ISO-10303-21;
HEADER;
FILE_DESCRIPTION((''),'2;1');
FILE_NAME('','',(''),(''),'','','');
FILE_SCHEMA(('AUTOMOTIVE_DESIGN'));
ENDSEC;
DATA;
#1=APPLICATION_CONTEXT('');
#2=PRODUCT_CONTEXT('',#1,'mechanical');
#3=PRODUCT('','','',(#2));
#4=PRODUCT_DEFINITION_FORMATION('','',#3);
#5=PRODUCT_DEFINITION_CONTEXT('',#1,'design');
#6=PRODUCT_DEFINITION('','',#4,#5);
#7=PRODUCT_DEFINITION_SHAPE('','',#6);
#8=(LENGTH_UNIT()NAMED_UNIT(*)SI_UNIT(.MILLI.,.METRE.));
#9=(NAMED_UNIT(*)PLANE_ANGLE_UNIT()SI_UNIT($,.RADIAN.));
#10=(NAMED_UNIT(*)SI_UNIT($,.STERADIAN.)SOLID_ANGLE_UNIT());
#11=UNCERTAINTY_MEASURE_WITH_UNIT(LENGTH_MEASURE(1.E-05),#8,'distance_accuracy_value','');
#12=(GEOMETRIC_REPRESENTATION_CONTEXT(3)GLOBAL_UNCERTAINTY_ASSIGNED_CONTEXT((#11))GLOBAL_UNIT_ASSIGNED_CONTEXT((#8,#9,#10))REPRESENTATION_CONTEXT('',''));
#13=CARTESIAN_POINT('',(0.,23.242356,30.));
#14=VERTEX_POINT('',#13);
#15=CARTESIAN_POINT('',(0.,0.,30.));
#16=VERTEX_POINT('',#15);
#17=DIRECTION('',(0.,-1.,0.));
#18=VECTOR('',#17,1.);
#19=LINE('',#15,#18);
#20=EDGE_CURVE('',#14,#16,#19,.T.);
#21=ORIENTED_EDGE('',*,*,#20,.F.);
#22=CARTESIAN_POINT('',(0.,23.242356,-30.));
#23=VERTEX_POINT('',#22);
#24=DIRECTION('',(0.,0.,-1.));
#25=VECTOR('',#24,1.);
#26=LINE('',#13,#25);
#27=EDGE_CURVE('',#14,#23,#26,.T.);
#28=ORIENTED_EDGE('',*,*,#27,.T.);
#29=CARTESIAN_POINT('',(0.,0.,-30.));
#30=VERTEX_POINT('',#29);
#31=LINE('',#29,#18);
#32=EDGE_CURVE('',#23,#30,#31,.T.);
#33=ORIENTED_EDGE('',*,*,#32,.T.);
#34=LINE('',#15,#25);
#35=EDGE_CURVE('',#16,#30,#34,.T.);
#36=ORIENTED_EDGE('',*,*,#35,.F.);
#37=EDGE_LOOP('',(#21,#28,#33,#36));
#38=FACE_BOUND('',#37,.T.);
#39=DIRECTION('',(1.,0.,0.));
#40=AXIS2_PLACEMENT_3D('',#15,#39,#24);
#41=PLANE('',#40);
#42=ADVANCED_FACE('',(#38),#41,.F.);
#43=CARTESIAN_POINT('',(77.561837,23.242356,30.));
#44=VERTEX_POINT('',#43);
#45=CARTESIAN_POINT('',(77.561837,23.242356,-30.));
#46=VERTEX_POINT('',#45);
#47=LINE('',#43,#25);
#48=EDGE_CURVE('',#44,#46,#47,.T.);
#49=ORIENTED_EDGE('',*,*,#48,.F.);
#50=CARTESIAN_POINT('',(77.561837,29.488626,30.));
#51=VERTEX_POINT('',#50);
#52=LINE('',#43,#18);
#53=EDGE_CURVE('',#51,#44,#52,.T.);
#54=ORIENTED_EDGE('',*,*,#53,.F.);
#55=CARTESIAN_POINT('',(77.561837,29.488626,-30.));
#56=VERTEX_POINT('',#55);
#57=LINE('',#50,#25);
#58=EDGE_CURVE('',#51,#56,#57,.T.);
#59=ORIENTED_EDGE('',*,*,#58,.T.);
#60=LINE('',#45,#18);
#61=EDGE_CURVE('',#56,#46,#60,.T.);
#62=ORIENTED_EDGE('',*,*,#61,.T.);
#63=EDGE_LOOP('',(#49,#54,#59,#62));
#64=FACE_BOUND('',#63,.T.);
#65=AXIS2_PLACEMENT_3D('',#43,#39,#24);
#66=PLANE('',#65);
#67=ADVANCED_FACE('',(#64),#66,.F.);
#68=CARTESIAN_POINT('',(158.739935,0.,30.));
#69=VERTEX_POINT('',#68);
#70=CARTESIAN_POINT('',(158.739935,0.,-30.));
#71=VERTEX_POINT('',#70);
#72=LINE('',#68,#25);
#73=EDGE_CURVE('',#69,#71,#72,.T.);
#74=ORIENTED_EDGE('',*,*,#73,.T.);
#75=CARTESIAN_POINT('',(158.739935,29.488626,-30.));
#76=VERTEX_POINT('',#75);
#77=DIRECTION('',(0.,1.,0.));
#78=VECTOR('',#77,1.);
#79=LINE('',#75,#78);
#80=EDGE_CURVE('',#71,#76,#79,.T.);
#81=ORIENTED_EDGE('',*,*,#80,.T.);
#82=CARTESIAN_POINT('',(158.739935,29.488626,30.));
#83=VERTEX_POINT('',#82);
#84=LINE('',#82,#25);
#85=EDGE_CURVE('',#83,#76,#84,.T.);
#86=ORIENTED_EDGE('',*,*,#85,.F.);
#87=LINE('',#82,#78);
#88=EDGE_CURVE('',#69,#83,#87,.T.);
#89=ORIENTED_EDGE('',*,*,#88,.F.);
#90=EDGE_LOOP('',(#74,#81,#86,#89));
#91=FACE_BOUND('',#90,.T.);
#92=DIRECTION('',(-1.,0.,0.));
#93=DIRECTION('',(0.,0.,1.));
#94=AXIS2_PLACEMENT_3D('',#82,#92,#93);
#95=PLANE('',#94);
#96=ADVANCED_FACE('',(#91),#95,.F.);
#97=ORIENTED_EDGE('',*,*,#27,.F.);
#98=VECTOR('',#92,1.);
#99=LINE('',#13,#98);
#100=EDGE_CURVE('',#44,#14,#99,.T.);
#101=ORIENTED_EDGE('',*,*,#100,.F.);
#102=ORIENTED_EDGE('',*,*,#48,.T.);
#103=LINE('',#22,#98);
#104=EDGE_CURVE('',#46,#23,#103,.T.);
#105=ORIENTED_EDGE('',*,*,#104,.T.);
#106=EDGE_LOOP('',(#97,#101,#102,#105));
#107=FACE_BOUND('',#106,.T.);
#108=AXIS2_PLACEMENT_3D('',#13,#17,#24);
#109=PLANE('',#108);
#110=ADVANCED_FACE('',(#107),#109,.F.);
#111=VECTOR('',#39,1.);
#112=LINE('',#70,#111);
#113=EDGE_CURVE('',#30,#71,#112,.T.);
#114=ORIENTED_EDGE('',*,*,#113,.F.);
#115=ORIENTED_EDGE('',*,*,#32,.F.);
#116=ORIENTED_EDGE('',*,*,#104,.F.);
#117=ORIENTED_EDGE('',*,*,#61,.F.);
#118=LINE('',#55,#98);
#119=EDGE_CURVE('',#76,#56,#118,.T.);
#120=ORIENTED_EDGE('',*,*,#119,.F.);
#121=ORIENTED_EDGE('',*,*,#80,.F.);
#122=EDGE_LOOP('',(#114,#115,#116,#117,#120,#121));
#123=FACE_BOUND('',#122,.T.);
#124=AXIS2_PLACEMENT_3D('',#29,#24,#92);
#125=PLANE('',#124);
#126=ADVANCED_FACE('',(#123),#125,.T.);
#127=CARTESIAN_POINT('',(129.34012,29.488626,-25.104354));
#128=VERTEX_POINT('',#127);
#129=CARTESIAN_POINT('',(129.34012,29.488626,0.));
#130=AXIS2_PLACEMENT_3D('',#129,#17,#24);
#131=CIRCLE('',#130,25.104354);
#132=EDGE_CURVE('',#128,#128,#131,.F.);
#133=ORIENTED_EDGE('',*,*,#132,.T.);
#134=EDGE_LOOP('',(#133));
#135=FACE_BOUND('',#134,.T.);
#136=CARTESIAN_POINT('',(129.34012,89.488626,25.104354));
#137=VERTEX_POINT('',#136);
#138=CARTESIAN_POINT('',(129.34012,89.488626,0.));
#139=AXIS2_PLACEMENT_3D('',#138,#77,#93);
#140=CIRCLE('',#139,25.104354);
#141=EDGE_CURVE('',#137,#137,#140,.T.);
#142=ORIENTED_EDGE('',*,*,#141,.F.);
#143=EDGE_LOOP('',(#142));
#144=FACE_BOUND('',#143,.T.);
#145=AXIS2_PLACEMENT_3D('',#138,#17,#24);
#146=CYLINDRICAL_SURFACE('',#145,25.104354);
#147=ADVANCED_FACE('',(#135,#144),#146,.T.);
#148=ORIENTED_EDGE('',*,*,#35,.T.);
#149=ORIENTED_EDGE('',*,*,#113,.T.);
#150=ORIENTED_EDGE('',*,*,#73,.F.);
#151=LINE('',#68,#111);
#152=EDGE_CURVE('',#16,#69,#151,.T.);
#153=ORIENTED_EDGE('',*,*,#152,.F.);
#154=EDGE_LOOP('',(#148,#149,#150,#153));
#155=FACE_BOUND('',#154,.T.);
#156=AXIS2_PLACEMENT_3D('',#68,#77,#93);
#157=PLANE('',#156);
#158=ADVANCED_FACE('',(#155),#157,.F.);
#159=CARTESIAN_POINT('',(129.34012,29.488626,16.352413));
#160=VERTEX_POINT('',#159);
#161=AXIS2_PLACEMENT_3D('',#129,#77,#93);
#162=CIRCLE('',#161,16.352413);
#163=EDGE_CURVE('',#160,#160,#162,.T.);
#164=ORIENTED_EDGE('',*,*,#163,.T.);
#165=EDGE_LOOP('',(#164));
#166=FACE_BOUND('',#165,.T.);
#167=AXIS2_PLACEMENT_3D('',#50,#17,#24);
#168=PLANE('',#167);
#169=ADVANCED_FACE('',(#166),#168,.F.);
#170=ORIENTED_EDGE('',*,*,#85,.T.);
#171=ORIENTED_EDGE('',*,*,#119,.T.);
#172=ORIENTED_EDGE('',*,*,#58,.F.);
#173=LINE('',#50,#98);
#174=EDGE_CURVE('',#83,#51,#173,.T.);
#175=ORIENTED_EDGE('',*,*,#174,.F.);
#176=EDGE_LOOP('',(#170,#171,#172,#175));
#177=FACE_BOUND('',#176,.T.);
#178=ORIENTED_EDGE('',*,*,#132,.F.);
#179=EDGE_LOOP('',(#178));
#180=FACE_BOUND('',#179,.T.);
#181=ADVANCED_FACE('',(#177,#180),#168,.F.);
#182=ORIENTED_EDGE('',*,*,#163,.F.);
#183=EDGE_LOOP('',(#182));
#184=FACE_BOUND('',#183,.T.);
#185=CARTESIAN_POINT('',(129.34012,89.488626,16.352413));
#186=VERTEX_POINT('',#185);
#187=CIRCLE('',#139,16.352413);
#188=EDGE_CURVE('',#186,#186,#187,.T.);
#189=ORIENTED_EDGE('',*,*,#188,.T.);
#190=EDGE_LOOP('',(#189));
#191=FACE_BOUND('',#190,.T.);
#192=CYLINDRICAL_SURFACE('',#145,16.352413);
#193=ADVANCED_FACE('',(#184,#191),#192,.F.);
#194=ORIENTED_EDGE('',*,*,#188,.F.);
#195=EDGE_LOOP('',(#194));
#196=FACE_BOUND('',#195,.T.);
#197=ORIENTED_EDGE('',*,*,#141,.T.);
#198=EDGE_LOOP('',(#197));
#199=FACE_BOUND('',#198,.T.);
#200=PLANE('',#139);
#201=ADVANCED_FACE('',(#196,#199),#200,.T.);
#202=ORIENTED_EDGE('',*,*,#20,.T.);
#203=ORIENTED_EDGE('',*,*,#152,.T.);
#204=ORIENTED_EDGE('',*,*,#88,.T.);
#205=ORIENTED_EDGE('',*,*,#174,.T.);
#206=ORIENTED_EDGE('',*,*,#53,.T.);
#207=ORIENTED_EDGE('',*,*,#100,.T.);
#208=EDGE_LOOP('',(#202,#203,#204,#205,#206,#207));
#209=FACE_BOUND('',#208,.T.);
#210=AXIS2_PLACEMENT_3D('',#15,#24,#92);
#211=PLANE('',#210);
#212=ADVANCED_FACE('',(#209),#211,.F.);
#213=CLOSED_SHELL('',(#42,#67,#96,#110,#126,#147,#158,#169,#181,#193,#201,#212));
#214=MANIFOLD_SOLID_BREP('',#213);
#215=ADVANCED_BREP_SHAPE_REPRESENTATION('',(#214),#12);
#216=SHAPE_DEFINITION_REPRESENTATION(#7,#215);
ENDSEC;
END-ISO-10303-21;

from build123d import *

# Parameters (mm, degrees)
P_IDAT_VYSUNUT_M1_DEPTH = 30
SKICA2_R                = 25.104353528
SKICA2_R_2              = 16.352413197
P_IDAT_VYSUNUT_M2_DEPTH = 60


with BuildPart() as part:
    # Skica1 → Přidat vysunutím1 (new body, symmetric)
    with BuildSketch(Plane.XY):
        Polygon((0, 0), (0, 23.242356394), (77.561836829, 23.242356394), (77.561836829, 29.488625529), (158.739934736, 29.488625529), (158.739934736, 0), align=None)
    extrude(amount=P_IDAT_VYSUNUT_M1_DEPTH, both=True)

    # Skica2 → Přidat vysunutím2 (add)
    with BuildSketch(Plane(origin=(0, 29.488625529, 0), x_dir=(1, 0, 0), z_dir=(0, 1, 0))):
        with Locations(Location((129.340120448, 0, 0), (0, 0, 90))):  # turned: the seam where the file's is
            Circle(SKICA2_R)
        with Locations(Location((129.340120448, 0, 0), (0, 0, 270))):  # turned: the seam where the file's is
            Circle(SKICA2_R_2, mode=Mode.SUBTRACT)
    extrude(amount=P_IDAT_VYSUNUT_M2_DEPTH)


solid = part.part
